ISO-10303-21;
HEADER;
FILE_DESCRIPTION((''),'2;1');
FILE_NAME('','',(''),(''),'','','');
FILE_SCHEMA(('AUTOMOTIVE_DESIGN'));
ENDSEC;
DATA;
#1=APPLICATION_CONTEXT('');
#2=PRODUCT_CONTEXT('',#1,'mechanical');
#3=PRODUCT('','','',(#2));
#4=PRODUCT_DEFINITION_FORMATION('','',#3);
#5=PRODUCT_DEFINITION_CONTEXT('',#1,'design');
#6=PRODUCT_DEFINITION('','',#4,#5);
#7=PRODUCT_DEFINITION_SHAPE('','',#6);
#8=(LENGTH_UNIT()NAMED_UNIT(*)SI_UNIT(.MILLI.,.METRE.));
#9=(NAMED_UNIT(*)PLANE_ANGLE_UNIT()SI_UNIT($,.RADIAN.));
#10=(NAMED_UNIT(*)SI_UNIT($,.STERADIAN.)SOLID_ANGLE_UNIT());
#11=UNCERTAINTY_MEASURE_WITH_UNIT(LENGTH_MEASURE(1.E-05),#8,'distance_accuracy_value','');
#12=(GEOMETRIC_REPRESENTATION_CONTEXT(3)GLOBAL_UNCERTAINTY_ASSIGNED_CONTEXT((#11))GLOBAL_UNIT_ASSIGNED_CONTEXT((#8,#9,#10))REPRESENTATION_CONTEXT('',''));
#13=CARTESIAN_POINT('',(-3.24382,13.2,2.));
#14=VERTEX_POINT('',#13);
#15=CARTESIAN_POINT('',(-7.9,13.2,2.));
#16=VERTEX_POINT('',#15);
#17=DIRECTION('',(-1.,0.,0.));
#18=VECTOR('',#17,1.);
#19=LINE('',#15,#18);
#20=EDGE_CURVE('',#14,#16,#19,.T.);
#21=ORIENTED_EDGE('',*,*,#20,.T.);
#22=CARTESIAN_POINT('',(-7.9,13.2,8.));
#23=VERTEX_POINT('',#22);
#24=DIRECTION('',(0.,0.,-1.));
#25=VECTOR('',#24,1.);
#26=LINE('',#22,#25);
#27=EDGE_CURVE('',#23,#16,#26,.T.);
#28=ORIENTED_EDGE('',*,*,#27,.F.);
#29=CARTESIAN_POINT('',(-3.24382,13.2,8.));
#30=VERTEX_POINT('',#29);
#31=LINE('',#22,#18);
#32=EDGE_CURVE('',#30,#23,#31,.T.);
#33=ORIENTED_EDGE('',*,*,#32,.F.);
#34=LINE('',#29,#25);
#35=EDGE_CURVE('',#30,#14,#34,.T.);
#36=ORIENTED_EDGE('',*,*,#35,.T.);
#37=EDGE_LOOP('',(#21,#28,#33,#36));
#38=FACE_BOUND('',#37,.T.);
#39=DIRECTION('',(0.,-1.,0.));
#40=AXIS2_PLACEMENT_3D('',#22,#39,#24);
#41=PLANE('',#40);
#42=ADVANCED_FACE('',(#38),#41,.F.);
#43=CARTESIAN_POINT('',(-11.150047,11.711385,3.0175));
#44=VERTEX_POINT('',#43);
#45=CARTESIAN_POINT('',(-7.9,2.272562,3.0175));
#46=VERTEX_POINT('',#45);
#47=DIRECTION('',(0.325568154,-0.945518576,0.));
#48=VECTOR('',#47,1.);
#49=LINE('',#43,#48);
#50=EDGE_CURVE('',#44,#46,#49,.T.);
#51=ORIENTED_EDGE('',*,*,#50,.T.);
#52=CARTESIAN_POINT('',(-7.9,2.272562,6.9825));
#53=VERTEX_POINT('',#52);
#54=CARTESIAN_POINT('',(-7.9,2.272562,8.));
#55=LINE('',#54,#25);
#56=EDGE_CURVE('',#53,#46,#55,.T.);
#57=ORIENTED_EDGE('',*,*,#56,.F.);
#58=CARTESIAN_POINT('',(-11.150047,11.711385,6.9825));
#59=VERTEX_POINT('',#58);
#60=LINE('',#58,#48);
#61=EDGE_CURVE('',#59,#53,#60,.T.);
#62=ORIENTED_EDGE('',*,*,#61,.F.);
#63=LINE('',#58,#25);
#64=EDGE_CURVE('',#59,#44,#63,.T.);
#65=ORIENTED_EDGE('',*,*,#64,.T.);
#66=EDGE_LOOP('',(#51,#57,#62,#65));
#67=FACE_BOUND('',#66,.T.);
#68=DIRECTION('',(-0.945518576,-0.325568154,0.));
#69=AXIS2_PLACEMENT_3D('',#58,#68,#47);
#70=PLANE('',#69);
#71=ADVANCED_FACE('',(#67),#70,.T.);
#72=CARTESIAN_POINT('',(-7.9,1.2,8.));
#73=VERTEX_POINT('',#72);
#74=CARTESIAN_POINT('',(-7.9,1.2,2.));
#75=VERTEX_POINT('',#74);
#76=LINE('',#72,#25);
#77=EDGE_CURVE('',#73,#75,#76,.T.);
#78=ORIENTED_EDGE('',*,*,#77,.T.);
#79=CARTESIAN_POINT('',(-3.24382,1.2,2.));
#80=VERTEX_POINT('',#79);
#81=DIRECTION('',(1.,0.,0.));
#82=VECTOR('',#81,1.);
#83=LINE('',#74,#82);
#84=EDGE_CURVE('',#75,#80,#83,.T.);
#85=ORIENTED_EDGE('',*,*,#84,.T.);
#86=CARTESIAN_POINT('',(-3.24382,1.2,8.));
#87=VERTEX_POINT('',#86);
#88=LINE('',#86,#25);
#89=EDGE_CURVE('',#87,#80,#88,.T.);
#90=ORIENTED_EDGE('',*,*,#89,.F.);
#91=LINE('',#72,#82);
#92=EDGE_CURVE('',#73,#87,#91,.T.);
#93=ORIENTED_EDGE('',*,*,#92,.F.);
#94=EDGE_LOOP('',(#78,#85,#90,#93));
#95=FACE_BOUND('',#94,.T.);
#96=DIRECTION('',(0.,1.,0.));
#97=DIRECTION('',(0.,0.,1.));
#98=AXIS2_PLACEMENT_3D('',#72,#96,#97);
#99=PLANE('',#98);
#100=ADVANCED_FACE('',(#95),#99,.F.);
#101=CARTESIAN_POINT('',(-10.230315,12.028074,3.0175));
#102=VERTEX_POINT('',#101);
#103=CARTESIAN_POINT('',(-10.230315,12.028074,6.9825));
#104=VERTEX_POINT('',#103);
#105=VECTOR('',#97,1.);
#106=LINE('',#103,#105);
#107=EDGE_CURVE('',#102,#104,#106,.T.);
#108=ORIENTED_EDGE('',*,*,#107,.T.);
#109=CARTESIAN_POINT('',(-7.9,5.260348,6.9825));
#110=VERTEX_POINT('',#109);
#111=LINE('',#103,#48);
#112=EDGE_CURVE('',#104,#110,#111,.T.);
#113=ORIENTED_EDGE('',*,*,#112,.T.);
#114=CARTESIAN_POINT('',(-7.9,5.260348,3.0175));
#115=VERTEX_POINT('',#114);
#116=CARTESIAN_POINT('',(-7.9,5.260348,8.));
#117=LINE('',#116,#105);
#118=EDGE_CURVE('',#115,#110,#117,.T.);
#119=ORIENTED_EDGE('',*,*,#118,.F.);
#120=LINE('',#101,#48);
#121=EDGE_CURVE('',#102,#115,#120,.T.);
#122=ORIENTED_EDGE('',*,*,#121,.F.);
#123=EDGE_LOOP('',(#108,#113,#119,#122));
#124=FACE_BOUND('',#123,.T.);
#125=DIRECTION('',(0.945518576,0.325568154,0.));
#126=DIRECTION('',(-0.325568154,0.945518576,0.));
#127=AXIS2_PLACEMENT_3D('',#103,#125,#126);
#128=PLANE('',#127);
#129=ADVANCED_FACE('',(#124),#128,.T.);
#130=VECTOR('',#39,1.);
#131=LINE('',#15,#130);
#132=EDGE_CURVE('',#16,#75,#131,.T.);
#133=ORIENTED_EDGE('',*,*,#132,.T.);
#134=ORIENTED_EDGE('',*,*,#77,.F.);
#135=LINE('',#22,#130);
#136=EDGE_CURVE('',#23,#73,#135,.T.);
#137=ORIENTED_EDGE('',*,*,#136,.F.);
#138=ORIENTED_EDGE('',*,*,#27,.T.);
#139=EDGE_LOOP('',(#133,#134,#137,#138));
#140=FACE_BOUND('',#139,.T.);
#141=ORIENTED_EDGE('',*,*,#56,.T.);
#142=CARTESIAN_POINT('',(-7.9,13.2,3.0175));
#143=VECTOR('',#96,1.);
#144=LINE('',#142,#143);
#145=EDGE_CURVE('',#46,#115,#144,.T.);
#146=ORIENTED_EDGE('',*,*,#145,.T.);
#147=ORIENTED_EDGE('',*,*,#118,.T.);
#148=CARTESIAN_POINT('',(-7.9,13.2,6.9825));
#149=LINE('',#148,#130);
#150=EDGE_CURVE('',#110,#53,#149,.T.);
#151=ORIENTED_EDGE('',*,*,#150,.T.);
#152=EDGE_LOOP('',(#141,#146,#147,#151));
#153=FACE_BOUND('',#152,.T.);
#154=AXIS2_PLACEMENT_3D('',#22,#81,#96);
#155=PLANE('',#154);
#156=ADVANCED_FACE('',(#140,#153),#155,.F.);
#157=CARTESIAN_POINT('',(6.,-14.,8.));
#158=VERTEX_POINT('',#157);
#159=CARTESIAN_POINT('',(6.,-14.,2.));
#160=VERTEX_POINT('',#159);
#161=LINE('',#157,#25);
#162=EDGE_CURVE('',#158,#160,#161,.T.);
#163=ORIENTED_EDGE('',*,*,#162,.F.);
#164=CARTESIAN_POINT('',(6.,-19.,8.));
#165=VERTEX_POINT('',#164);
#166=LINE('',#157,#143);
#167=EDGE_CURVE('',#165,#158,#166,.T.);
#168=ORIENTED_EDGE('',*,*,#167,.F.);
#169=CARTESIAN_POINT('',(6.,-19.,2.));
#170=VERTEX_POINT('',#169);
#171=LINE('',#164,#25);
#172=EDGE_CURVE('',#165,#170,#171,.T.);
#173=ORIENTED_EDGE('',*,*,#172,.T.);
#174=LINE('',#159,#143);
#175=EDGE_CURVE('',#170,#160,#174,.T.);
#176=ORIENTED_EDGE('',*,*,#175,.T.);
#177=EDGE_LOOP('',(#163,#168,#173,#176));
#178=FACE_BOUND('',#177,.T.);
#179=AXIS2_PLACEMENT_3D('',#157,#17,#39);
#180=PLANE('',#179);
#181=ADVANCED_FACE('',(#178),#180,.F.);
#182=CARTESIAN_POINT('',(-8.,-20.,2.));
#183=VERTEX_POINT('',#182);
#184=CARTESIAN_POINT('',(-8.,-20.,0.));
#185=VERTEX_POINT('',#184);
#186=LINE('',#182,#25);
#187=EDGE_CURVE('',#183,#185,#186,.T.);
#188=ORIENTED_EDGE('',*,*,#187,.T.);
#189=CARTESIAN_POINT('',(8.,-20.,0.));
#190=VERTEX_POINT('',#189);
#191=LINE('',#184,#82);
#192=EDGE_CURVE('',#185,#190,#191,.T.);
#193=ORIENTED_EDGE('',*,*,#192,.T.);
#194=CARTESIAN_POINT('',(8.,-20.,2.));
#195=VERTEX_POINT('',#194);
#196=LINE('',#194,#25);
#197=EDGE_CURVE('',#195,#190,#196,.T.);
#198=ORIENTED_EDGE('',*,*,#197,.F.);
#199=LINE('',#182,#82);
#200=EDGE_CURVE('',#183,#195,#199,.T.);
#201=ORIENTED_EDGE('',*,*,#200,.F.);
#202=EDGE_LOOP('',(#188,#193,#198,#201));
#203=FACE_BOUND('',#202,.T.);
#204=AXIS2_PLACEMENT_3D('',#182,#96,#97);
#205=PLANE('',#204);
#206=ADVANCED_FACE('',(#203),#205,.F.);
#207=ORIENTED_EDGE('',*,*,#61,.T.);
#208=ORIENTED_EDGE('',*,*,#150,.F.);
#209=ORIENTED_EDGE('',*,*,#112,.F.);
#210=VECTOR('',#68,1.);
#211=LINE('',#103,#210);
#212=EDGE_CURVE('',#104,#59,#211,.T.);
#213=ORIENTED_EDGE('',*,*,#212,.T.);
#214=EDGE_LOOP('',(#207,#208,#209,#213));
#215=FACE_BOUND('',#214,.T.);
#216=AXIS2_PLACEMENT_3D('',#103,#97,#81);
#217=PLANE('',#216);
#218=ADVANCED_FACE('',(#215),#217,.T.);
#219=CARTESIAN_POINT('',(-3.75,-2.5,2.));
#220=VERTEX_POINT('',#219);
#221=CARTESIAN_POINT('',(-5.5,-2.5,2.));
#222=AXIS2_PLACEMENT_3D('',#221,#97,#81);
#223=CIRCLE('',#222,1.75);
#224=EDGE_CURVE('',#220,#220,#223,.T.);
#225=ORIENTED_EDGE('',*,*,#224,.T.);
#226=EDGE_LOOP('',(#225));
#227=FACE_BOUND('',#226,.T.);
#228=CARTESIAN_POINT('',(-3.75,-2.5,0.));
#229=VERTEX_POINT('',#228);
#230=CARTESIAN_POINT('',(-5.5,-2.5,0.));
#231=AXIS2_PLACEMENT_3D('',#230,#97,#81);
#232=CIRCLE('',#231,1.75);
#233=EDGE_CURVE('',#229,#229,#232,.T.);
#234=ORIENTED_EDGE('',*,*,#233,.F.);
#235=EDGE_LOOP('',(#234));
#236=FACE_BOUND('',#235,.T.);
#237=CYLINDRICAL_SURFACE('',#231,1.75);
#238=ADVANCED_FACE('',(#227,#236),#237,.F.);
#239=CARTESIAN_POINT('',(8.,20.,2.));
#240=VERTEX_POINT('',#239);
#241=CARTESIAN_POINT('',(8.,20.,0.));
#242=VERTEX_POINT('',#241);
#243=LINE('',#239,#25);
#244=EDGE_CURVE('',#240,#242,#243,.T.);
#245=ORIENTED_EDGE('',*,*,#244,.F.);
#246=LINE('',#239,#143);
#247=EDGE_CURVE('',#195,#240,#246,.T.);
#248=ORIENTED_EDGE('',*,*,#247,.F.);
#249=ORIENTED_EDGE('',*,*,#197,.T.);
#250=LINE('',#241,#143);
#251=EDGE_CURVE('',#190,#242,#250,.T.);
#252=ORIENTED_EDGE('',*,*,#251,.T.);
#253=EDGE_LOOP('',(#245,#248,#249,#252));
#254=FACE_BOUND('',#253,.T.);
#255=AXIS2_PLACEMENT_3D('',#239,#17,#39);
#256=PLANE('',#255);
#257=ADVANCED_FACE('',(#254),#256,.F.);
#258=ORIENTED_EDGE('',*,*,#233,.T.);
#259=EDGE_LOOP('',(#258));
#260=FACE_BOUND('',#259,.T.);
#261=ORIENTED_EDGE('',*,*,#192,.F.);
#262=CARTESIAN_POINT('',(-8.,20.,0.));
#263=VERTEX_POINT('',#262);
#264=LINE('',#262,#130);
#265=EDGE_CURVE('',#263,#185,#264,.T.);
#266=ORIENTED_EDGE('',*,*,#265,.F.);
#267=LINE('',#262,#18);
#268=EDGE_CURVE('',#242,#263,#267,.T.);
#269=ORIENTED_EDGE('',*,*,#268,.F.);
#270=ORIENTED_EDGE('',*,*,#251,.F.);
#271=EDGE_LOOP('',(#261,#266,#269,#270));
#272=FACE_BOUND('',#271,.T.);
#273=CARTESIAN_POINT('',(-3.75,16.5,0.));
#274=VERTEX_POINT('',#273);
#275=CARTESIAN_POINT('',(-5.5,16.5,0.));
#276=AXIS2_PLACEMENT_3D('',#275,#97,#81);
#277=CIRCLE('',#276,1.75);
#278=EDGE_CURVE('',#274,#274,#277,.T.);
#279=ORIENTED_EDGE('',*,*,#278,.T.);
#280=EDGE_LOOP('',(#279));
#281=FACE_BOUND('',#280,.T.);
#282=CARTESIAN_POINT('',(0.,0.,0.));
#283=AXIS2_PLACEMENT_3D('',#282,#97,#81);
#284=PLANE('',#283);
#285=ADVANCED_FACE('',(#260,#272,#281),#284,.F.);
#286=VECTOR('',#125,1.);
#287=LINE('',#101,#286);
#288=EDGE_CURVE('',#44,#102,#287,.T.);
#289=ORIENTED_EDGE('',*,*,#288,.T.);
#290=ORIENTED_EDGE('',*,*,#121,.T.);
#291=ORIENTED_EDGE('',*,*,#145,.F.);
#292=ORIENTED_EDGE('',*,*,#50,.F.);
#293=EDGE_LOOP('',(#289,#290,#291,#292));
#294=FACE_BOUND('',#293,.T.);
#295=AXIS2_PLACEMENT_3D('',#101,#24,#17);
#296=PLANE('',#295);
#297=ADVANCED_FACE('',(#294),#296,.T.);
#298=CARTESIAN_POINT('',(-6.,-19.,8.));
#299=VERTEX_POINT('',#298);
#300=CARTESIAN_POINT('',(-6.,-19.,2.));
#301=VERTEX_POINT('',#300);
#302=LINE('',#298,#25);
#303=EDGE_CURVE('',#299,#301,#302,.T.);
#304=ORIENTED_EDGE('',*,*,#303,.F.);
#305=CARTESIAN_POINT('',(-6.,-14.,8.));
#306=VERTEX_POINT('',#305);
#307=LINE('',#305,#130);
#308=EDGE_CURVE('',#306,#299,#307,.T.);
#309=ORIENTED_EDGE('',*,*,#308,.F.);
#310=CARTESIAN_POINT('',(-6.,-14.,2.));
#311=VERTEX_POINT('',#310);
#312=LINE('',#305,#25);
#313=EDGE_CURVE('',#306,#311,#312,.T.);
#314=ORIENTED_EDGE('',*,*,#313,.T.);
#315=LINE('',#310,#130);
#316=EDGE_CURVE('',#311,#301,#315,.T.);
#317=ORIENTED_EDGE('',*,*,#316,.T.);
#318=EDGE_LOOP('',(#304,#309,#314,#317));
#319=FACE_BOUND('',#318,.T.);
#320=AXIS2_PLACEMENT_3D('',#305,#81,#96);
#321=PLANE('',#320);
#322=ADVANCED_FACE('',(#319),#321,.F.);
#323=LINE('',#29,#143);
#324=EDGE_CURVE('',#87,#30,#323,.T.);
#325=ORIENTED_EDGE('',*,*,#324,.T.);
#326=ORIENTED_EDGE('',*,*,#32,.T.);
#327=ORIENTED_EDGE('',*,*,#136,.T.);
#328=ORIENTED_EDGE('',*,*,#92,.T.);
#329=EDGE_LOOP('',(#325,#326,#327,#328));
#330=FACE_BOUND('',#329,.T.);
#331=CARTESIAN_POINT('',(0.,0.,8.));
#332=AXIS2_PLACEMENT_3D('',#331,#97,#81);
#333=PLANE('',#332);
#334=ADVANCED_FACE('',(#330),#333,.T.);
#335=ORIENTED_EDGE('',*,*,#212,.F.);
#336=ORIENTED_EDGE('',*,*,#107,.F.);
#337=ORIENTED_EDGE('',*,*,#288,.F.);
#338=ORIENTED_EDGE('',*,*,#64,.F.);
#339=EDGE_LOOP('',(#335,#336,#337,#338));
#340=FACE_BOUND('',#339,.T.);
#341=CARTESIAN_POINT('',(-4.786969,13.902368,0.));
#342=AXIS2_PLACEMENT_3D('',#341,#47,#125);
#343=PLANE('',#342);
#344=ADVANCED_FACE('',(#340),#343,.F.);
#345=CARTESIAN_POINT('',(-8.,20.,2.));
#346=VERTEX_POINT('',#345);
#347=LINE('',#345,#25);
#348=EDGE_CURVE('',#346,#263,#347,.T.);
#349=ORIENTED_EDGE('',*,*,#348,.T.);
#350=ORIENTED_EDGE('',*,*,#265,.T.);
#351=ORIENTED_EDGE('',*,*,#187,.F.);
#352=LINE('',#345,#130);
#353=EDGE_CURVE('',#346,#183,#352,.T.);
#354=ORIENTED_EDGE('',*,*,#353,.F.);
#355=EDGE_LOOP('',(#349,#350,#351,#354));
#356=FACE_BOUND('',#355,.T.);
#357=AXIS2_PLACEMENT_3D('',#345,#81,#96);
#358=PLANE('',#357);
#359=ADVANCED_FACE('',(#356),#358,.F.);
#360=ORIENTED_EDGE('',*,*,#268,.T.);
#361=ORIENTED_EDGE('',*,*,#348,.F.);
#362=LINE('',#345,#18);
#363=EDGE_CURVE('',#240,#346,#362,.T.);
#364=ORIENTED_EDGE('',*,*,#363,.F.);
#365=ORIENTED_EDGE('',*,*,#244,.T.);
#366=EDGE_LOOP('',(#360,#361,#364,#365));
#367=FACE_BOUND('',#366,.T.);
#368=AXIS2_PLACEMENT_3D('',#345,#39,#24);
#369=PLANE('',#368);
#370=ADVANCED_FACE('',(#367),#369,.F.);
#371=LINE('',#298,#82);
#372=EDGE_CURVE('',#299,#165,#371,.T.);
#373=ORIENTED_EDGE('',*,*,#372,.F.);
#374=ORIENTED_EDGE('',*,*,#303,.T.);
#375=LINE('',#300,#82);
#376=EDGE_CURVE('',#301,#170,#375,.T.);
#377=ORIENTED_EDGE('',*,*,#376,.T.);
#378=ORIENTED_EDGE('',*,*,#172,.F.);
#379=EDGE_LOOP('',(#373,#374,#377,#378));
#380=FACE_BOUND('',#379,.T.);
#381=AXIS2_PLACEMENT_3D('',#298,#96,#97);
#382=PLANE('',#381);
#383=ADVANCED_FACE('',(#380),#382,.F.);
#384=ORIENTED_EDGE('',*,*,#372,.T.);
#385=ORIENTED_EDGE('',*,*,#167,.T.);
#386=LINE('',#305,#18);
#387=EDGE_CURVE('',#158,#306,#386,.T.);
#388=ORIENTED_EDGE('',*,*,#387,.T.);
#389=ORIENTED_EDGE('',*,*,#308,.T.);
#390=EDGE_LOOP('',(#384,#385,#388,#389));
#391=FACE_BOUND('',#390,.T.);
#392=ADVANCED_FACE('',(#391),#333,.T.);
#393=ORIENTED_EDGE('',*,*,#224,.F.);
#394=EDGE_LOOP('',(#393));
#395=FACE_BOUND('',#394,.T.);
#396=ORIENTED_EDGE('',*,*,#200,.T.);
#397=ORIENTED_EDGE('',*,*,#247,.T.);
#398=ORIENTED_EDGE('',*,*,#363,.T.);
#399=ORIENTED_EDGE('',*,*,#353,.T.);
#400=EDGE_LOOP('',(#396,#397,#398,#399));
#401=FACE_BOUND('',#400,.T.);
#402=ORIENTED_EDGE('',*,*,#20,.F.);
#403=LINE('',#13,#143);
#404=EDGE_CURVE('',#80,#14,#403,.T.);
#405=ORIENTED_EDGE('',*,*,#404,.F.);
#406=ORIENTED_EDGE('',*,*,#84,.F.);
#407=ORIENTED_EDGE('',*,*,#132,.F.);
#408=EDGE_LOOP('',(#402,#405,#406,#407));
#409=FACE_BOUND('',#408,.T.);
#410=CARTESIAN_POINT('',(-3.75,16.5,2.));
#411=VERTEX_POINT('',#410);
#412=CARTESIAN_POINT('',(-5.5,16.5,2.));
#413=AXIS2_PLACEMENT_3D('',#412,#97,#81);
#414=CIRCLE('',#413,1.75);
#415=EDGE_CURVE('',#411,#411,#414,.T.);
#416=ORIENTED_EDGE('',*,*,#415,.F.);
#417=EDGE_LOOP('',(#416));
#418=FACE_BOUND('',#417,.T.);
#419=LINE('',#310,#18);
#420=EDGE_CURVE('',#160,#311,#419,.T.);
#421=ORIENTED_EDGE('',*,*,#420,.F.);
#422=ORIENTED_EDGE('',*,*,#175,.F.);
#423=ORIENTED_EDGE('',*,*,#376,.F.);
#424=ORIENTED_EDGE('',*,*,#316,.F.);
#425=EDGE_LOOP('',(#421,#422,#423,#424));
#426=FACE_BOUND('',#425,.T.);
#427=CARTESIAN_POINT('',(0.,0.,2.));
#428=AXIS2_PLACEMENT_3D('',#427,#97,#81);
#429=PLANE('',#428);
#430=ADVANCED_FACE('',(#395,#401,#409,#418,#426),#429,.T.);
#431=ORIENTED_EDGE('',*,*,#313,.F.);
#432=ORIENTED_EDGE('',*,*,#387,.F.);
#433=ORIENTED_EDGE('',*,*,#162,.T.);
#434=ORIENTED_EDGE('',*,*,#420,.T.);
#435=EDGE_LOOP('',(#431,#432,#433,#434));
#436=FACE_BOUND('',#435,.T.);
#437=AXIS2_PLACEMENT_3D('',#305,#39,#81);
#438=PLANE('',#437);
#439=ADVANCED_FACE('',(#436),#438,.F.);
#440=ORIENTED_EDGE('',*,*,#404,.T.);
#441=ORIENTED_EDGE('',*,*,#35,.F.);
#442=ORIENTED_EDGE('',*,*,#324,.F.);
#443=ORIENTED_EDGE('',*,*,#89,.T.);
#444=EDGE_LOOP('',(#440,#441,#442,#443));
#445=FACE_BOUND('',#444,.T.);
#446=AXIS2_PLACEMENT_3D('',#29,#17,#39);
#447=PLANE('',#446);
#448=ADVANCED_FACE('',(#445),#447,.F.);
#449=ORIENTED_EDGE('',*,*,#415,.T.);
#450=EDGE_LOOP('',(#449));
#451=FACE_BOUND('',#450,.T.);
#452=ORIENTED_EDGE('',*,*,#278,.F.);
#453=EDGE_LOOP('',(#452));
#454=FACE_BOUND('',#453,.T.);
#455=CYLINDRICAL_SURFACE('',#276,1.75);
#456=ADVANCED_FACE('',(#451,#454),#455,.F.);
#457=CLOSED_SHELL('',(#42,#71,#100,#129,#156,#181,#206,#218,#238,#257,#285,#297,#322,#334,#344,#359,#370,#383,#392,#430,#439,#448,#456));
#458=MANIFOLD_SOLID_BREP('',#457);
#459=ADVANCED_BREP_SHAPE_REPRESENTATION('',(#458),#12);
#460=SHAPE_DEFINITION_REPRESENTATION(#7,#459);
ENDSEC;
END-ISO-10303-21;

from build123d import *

# Parameters (mm, degrees)
ESBO_O1_W                     = 16
ESBO_O1_H                     = 40
RESSALTO_EXTRUS_O1_DEPTH      = 2
ESBO_O2_R                     = 1.75
CORTE_EXTRUS_O1_DEPTH         = 2
ESBO_O3_W                     = 4.656179748
ESBO_O3_H                     = 12
RESSALTO_EXTRUS_O2_DEPTH      = 6
ESBO_O4_W                     = 12
ESBO_O4_H                     = 5
RESSALTO_EXTRUS_O3_DEPTH      = 6
RESSALTO_EXTRUS_O4_DEPTH      = 9
RESSALTO_EXTRUS_O4_DEPTH_BACK = 1.2
ESBO_O6_W                     = 3.964999664
ESBO_O6_H                     = 0.972728158


with BuildPart() as part:
    # Esboço1 → Ressalto-extrusão1 (new body)
    with BuildSketch(Plane.XY):
        Rectangle(ESBO_O1_W, ESBO_O1_H)
    extrude(amount=RESSALTO_EXTRUS_O1_DEPTH)

    # Esboço2 → Corte-extrusão1 (cut)
    with BuildSketch(Plane.XY.offset(2)):
        with Locations((-5.5, 16.5)):
            Circle(ESBO_O2_R)
        with Locations((-5.5, -2.5)):
            Circle(ESBO_O2_R)
    extrude(amount=-CORTE_EXTRUS_O1_DEPTH, mode=Mode.SUBTRACT)

    # Esboço3 → Ressalto-extrusão2 (add)
    with BuildSketch(Plane.XY.offset(2)):
        with Locations((-5.571910126, 7.2)):
            Rectangle(ESBO_O3_W, ESBO_O3_H)
    extrude(amount=RESSALTO_EXTRUS_O2_DEPTH)

    # Esboço4 → Ressalto-extrusão3 (add)
    with BuildSketch(Plane.XY.offset(2)):
        with Locations((0, -16.5)):
            Rectangle(ESBO_O4_W, ESBO_O4_H)
    extrude(amount=RESSALTO_EXTRUS_O3_DEPTH)

    # Esboço6 → Ressalto-extrusão4 (add, two sides: drawn at the far end of the back side and taken through both)
    with BuildSketch(Plane(origin=(-4.396287548, 12.767746119, 0), x_dir=(0, 0, -1), z_dir=(0.32556815445715404, -0.9455185755993177, 0)).offset(-RESSALTO_EXTRUS_O4_DEPTH_BACK)):
        with Locations((-5, -6.243358943)):
            Rectangle(ESBO_O6_W, ESBO_O6_H)
    extrude(amount=RESSALTO_EXTRUS_O4_DEPTH + RESSALTO_EXTRUS_O4_DEPTH_BACK)


solid = part.part
